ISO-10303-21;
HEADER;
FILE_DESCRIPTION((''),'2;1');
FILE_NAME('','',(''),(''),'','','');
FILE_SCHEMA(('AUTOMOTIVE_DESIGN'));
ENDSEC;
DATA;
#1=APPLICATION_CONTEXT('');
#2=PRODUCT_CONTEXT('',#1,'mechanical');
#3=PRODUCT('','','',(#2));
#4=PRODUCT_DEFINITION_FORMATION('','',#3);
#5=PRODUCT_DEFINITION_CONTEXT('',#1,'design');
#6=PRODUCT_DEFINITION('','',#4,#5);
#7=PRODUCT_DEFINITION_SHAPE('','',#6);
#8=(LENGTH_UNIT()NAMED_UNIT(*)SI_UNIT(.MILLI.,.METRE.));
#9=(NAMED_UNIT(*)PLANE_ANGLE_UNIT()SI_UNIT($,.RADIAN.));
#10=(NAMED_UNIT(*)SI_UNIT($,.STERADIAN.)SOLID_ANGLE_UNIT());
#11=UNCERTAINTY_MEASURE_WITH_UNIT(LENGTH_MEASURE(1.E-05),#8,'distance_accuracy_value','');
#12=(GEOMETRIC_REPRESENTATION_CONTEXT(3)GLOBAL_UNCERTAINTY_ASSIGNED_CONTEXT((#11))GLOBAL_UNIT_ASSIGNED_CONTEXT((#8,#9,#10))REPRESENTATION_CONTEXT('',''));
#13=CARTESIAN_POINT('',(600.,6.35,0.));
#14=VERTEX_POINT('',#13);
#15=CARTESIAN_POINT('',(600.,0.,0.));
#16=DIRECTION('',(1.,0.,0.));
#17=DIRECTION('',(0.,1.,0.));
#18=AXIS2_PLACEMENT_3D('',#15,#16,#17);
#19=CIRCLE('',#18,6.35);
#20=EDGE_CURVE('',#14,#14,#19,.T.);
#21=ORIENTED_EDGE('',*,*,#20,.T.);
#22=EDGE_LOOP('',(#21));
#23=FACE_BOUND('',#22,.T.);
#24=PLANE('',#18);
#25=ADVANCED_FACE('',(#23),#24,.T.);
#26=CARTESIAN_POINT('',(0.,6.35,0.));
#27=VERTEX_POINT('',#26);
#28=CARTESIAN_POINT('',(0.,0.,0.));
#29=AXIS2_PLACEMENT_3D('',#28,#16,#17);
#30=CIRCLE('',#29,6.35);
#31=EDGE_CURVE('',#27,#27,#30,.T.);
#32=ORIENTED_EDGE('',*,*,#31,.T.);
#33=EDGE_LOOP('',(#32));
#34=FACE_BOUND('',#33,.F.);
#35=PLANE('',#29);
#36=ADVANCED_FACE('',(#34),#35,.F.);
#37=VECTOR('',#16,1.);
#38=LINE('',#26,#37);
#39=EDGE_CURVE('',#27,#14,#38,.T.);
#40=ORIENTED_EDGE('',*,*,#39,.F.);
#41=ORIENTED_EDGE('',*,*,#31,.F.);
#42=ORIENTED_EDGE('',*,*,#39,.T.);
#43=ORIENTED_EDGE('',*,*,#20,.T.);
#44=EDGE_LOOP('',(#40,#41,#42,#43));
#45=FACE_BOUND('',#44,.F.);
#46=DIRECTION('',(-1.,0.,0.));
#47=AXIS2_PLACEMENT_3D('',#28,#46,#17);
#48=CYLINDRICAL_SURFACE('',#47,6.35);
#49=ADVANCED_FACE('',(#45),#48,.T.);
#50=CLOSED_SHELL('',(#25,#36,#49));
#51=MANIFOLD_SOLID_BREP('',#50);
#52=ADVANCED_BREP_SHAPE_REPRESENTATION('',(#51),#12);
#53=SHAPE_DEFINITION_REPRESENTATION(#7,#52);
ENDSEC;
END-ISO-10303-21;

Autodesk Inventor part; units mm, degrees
ref_plane "YZ Plane" through (0, 0, 0) normal (1, 0, 0) x (0, 1, 0)
ref_plane "XZ Plane" through (0, 0, 0) normal (0, 1, 0) x (-1, 0, 0)
ref_plane "XY Plane" through (0, 0, 0) normal (0, 0, 1) x (1, 0, 0)
sketch "Sketch1" plane through (0, 0, 0) normal (1, 0, 0) x (0, 1, 0)
  circle A0 centre (0, 0) radius 6.35
  dimension "d0" = 12.7
extrude "Extrusion1" add sketch "Sketch1" along normal blind 600
properties part number ".5inShaft(delete_later)"
